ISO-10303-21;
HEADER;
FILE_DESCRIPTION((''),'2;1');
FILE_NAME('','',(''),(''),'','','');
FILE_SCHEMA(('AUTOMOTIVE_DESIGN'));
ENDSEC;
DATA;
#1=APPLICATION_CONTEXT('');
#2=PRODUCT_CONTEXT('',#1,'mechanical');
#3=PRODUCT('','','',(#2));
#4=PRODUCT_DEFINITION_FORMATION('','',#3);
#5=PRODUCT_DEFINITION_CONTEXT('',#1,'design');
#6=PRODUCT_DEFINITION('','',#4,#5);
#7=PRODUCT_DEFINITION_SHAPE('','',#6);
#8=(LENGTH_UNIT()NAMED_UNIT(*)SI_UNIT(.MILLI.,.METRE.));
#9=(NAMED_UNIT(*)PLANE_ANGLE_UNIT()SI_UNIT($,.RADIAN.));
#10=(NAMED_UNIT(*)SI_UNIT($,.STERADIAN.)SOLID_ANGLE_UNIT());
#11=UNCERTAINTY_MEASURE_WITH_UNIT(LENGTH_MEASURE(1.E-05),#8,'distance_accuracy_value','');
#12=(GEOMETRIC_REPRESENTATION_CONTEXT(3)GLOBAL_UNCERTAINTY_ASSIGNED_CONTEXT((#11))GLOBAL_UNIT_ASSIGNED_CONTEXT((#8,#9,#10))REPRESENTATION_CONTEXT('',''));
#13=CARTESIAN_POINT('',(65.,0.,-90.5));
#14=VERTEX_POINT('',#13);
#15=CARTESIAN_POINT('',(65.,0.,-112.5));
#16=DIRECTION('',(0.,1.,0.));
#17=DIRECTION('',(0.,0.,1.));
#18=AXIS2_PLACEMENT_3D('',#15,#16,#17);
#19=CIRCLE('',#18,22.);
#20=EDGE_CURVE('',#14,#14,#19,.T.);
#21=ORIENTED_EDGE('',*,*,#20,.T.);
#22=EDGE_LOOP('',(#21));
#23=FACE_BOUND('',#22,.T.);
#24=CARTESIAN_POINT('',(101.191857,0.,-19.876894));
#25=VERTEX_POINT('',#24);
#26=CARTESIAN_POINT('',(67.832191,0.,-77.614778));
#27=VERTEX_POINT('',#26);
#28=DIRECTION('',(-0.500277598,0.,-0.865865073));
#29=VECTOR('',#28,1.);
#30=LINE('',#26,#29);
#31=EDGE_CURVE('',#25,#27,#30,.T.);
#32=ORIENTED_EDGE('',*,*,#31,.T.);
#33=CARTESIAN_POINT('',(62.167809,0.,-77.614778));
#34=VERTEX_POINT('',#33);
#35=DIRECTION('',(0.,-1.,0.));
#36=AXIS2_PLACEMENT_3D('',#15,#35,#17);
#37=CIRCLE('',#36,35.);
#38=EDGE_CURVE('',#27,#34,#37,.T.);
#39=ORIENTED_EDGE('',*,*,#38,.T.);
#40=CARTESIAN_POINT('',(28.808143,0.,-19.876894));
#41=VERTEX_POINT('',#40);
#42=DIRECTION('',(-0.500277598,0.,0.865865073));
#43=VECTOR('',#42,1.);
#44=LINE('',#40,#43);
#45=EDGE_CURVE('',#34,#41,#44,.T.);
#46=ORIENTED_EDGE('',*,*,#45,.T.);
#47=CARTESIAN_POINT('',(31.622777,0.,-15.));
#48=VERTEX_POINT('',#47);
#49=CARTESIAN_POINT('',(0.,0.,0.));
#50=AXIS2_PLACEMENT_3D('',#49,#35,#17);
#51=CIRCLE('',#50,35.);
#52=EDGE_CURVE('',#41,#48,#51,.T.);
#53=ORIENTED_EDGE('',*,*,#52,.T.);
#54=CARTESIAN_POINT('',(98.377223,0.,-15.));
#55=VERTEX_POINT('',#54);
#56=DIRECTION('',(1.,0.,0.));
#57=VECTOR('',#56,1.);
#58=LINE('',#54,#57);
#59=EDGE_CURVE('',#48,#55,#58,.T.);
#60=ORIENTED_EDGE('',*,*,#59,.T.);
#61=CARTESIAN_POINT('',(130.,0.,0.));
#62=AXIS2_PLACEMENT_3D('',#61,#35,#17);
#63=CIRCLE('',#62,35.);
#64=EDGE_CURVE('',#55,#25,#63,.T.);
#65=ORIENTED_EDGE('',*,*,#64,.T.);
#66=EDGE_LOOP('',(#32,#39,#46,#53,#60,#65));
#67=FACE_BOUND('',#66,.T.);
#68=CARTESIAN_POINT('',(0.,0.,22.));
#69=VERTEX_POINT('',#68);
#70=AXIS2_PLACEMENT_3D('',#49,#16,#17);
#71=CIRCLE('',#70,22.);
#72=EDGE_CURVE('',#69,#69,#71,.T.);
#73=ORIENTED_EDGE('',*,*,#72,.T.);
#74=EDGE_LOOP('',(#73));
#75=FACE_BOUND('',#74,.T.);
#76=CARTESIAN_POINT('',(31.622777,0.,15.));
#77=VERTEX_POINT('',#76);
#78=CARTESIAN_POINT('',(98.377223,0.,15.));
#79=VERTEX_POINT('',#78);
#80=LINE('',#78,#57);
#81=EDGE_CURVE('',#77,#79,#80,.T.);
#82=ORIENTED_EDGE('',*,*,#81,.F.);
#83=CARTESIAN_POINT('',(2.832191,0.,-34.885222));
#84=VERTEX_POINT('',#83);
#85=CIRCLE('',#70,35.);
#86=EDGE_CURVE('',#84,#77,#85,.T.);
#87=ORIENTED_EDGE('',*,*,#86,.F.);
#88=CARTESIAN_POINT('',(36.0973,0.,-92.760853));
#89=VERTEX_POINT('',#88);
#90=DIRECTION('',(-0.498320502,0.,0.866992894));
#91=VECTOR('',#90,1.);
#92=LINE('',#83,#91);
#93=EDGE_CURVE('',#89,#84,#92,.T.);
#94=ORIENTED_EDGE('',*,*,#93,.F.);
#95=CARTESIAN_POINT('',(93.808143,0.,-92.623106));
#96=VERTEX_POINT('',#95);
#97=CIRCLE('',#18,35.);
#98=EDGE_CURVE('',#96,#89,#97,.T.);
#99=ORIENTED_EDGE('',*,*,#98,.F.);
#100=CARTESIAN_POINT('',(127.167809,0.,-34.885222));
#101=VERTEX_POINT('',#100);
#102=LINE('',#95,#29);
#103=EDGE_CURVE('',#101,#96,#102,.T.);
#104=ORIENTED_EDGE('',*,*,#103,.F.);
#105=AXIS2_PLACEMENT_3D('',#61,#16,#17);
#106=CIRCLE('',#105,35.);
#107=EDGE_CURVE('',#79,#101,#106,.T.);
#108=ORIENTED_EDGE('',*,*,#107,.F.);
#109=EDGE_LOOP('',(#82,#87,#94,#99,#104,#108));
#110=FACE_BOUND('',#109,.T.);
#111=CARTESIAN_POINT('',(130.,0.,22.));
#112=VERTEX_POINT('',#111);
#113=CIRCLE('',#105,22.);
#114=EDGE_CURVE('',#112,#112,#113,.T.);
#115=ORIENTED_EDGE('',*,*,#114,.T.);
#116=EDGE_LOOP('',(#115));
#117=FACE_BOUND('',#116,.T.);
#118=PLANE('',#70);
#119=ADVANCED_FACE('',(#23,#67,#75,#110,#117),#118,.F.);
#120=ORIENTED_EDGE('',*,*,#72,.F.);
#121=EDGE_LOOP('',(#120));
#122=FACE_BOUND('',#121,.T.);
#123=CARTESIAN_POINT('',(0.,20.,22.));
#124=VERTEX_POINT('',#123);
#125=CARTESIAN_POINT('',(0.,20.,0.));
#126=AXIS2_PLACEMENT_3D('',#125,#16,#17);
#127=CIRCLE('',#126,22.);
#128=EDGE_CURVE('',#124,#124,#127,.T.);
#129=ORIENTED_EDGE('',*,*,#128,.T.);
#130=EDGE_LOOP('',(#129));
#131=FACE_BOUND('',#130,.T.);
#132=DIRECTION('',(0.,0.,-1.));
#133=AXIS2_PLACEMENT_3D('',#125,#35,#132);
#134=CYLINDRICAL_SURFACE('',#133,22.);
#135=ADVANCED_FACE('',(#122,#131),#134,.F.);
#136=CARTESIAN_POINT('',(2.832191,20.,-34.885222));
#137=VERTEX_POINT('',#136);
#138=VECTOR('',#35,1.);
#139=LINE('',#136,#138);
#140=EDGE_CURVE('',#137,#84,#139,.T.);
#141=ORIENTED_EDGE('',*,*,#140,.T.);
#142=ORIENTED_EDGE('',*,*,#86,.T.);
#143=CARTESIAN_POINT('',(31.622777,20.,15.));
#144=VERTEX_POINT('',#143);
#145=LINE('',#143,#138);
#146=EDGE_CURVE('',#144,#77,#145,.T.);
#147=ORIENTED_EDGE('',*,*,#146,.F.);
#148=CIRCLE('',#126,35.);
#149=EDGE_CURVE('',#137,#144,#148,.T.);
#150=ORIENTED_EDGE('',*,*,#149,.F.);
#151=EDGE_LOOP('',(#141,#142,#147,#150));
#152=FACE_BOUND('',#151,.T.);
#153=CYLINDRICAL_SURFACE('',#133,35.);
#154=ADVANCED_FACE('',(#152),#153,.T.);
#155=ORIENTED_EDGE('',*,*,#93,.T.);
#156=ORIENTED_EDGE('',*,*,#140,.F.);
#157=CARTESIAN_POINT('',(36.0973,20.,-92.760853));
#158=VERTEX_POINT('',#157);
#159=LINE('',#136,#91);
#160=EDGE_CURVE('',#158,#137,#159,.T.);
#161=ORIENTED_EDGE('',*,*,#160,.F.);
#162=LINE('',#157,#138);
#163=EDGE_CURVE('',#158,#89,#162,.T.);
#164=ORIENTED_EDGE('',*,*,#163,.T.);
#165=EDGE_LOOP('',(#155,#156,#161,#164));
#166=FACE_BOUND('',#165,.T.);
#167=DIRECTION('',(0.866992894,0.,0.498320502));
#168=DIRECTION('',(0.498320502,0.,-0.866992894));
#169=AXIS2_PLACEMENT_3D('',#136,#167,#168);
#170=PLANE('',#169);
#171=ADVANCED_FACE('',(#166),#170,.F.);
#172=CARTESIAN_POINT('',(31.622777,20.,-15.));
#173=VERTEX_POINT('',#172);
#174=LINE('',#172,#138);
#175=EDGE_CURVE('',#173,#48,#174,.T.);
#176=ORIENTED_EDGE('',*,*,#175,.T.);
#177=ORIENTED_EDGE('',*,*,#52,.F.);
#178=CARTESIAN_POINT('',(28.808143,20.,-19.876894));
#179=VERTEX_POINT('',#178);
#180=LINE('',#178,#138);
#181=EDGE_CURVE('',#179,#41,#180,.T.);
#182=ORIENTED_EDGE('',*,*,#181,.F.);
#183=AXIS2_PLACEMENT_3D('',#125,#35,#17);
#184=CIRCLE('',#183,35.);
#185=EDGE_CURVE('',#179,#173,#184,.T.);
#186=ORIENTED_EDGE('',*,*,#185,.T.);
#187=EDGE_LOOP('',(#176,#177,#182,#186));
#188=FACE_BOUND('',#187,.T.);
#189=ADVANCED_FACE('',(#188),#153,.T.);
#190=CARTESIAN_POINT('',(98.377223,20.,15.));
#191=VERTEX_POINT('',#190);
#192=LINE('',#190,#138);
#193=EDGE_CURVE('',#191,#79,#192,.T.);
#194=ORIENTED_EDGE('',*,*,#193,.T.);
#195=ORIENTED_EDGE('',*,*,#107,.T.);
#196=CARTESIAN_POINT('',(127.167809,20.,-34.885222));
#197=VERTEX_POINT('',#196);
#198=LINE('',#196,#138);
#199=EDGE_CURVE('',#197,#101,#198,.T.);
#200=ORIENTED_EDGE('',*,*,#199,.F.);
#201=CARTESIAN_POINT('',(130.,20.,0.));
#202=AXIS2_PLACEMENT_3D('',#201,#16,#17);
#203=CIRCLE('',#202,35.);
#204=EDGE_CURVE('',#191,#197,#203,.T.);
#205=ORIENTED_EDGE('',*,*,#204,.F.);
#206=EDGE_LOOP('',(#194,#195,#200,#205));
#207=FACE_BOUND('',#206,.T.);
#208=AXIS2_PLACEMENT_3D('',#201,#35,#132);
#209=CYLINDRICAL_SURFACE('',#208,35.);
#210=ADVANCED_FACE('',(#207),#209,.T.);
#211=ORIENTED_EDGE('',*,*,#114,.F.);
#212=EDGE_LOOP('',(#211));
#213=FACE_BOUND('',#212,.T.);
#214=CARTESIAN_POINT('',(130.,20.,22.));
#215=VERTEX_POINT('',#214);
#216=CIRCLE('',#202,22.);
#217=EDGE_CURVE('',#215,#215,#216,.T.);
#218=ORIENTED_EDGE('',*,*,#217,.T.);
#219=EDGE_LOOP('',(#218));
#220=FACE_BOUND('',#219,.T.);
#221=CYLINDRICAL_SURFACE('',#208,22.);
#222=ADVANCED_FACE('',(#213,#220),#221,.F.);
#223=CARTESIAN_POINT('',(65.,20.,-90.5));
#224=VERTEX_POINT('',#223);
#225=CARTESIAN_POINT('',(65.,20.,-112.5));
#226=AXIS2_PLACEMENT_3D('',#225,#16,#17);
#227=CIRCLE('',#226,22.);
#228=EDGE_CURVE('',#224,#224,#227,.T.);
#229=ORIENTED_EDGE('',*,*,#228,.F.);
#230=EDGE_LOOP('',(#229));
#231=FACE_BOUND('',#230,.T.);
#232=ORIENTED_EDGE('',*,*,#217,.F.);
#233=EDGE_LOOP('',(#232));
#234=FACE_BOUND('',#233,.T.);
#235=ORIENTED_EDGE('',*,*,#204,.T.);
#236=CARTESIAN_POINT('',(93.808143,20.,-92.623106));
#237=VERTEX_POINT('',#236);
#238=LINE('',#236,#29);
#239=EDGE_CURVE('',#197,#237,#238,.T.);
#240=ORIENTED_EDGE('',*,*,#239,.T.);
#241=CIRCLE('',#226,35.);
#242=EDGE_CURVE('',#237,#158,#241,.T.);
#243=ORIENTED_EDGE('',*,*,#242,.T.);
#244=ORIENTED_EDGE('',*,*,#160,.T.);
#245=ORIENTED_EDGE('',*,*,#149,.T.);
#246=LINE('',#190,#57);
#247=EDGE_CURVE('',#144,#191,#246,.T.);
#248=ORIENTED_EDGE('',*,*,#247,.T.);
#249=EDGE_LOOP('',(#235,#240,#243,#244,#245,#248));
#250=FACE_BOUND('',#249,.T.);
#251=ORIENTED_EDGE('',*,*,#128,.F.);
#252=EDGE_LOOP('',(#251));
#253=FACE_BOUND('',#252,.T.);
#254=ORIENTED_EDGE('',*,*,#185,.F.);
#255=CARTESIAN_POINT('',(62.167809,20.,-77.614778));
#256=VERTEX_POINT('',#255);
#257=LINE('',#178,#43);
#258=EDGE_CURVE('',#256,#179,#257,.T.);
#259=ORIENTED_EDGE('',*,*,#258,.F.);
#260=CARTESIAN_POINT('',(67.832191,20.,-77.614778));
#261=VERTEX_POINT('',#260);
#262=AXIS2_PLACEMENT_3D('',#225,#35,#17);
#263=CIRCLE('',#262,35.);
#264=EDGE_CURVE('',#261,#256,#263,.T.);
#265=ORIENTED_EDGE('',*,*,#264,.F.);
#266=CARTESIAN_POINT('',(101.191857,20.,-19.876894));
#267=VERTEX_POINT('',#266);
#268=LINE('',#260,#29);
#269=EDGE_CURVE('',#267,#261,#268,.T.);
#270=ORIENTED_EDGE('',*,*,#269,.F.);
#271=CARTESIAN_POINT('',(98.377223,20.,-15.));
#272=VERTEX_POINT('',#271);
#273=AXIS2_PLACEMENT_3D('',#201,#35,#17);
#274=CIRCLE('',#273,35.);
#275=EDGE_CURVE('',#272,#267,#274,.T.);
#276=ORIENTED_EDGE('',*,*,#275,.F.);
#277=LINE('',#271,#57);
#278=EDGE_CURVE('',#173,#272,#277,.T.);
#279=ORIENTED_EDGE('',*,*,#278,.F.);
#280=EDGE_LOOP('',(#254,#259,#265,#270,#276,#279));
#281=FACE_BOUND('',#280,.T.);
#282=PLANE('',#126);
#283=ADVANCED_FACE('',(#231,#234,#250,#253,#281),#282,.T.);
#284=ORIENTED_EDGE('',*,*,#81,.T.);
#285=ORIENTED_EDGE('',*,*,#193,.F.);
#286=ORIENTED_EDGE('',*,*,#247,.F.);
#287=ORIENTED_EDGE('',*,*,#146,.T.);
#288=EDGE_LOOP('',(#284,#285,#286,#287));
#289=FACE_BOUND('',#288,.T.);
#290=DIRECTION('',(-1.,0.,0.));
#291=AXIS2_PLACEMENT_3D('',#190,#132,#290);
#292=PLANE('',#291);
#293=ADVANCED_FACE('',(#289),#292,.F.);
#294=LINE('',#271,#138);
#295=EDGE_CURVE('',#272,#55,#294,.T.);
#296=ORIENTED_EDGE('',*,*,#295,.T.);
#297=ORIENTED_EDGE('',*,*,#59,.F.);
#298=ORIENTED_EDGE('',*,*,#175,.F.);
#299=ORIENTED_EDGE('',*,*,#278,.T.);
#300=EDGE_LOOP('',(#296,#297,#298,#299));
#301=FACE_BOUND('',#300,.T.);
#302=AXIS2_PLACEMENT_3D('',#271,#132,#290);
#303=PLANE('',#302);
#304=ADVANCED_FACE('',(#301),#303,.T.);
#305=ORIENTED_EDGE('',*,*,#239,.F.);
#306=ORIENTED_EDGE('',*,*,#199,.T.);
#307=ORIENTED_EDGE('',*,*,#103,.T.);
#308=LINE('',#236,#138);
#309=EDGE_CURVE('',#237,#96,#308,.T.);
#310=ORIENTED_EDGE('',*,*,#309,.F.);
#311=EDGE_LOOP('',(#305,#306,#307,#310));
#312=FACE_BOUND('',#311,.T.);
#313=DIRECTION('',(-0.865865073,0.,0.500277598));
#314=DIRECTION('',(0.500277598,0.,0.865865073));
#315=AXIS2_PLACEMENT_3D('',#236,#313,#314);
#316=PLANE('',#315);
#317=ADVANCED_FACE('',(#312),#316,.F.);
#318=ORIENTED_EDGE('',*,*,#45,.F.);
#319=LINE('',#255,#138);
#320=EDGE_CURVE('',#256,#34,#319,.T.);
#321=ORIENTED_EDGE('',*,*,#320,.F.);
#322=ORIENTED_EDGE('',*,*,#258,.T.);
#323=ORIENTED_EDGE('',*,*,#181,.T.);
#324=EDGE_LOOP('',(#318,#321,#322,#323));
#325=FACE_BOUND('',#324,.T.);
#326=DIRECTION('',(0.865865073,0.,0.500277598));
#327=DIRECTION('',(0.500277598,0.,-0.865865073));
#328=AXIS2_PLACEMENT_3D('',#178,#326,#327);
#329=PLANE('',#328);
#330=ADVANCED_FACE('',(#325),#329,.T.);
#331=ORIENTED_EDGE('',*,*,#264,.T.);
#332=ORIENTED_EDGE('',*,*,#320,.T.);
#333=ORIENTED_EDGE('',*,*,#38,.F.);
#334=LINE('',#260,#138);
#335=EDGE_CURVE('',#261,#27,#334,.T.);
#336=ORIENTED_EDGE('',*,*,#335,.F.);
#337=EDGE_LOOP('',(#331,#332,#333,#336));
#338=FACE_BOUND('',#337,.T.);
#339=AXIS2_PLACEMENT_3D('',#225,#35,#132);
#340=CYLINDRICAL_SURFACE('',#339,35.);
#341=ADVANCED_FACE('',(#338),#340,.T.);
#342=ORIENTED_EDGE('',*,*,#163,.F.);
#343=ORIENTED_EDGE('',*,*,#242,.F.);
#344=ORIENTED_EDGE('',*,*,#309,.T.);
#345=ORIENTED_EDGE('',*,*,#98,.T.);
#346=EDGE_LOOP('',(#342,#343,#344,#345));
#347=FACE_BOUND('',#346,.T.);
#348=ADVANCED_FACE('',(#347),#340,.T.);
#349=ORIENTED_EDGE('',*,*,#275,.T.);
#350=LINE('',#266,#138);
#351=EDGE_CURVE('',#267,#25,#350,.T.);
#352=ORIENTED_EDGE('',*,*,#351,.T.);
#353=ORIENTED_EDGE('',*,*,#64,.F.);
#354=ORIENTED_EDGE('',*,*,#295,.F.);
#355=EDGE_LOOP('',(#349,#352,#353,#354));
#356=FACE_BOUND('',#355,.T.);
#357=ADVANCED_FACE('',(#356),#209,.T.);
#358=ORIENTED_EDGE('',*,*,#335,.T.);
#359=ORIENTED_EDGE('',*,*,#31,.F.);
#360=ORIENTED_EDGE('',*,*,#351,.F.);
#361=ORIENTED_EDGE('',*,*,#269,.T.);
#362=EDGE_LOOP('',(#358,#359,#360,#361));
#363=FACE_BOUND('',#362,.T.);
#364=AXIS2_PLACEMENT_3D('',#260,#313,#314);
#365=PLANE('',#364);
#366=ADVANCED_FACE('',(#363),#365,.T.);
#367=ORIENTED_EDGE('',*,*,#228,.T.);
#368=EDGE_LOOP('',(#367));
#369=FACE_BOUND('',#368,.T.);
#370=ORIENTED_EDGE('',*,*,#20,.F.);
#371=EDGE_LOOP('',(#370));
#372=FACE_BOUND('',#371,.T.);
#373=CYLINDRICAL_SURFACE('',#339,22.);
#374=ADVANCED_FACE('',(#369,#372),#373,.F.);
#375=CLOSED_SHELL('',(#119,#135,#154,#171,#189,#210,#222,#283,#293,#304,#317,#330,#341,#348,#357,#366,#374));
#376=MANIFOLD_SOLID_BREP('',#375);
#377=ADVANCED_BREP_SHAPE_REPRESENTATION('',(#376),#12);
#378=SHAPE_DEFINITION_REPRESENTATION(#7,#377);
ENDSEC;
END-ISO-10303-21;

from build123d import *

# Parameters (mm, degrees)
SKETCH1_R           = 22
BOSS_EXTRUDE1_DEPTH = 20


with BuildPart() as part:
    # Sketch1 → Boss-Extrude1 (new body)
    with BuildSketch(Plane(origin=(0, 0, 0), x_dir=(1, 0, 0), z_dir=(0, 1, 0))):
        with BuildLine():
            Line((98.377223398, -15), (31.622776602, -15))
            ThreePointArc((31.622776602, -15), (-30.313693749, -17.495141363), (2.832190618, 34.885221747))
            Line((2.832190618, 34.885221747), (36.097300033, 92.760852739))
            ThreePointArc((36.097300033, 92.760852739), (65.083539163, 147.499900303), (93.808142815, 92.62310619))
            Line((93.808142815, 92.62310619), (127.167809382, 34.885221747))
            ThreePointArc((127.167809382, 34.885221747), (160.313693749, -17.495141363), (98.377223398, -15))
        make_face()
        with Locations(Location((0, 0, 0), (0, 0, 270))):
            Circle(SKETCH1_R, mode=Mode.SUBTRACT)
        with Locations(Location((65, 112.5, 0), (0, 0, 270))):
            Circle(SKETCH1_R, mode=Mode.SUBTRACT)
        with Locations(Location((130, 0, 0), (0, 0, 270))):
            Circle(SKETCH1_R, mode=Mode.SUBTRACT)
        with BuildLine():
            Line((98.377223398, 15), (31.622776602, 15))
            ThreePointArc((31.622776602, 15), (30.313693749, 17.495141363), (28.808142815, 19.87689381))
            Line((28.808142815, 19.87689381), (62.167809382, 77.614778253))
            ThreePointArc((62.167809382, 77.614778253), (65, 77.5), (67.832190618, 77.614778253))
            Line((67.832190618, 77.614778253), (101.191857185, 19.87689381))
            ThreePointArc((101.191857185, 19.87689381), (99.686306251, 17.495141363), (98.377223398, 15))
        make_face(mode=Mode.SUBTRACT)
    extrude(amount=BOSS_EXTRUDE1_DEPTH)


solid = part.part
